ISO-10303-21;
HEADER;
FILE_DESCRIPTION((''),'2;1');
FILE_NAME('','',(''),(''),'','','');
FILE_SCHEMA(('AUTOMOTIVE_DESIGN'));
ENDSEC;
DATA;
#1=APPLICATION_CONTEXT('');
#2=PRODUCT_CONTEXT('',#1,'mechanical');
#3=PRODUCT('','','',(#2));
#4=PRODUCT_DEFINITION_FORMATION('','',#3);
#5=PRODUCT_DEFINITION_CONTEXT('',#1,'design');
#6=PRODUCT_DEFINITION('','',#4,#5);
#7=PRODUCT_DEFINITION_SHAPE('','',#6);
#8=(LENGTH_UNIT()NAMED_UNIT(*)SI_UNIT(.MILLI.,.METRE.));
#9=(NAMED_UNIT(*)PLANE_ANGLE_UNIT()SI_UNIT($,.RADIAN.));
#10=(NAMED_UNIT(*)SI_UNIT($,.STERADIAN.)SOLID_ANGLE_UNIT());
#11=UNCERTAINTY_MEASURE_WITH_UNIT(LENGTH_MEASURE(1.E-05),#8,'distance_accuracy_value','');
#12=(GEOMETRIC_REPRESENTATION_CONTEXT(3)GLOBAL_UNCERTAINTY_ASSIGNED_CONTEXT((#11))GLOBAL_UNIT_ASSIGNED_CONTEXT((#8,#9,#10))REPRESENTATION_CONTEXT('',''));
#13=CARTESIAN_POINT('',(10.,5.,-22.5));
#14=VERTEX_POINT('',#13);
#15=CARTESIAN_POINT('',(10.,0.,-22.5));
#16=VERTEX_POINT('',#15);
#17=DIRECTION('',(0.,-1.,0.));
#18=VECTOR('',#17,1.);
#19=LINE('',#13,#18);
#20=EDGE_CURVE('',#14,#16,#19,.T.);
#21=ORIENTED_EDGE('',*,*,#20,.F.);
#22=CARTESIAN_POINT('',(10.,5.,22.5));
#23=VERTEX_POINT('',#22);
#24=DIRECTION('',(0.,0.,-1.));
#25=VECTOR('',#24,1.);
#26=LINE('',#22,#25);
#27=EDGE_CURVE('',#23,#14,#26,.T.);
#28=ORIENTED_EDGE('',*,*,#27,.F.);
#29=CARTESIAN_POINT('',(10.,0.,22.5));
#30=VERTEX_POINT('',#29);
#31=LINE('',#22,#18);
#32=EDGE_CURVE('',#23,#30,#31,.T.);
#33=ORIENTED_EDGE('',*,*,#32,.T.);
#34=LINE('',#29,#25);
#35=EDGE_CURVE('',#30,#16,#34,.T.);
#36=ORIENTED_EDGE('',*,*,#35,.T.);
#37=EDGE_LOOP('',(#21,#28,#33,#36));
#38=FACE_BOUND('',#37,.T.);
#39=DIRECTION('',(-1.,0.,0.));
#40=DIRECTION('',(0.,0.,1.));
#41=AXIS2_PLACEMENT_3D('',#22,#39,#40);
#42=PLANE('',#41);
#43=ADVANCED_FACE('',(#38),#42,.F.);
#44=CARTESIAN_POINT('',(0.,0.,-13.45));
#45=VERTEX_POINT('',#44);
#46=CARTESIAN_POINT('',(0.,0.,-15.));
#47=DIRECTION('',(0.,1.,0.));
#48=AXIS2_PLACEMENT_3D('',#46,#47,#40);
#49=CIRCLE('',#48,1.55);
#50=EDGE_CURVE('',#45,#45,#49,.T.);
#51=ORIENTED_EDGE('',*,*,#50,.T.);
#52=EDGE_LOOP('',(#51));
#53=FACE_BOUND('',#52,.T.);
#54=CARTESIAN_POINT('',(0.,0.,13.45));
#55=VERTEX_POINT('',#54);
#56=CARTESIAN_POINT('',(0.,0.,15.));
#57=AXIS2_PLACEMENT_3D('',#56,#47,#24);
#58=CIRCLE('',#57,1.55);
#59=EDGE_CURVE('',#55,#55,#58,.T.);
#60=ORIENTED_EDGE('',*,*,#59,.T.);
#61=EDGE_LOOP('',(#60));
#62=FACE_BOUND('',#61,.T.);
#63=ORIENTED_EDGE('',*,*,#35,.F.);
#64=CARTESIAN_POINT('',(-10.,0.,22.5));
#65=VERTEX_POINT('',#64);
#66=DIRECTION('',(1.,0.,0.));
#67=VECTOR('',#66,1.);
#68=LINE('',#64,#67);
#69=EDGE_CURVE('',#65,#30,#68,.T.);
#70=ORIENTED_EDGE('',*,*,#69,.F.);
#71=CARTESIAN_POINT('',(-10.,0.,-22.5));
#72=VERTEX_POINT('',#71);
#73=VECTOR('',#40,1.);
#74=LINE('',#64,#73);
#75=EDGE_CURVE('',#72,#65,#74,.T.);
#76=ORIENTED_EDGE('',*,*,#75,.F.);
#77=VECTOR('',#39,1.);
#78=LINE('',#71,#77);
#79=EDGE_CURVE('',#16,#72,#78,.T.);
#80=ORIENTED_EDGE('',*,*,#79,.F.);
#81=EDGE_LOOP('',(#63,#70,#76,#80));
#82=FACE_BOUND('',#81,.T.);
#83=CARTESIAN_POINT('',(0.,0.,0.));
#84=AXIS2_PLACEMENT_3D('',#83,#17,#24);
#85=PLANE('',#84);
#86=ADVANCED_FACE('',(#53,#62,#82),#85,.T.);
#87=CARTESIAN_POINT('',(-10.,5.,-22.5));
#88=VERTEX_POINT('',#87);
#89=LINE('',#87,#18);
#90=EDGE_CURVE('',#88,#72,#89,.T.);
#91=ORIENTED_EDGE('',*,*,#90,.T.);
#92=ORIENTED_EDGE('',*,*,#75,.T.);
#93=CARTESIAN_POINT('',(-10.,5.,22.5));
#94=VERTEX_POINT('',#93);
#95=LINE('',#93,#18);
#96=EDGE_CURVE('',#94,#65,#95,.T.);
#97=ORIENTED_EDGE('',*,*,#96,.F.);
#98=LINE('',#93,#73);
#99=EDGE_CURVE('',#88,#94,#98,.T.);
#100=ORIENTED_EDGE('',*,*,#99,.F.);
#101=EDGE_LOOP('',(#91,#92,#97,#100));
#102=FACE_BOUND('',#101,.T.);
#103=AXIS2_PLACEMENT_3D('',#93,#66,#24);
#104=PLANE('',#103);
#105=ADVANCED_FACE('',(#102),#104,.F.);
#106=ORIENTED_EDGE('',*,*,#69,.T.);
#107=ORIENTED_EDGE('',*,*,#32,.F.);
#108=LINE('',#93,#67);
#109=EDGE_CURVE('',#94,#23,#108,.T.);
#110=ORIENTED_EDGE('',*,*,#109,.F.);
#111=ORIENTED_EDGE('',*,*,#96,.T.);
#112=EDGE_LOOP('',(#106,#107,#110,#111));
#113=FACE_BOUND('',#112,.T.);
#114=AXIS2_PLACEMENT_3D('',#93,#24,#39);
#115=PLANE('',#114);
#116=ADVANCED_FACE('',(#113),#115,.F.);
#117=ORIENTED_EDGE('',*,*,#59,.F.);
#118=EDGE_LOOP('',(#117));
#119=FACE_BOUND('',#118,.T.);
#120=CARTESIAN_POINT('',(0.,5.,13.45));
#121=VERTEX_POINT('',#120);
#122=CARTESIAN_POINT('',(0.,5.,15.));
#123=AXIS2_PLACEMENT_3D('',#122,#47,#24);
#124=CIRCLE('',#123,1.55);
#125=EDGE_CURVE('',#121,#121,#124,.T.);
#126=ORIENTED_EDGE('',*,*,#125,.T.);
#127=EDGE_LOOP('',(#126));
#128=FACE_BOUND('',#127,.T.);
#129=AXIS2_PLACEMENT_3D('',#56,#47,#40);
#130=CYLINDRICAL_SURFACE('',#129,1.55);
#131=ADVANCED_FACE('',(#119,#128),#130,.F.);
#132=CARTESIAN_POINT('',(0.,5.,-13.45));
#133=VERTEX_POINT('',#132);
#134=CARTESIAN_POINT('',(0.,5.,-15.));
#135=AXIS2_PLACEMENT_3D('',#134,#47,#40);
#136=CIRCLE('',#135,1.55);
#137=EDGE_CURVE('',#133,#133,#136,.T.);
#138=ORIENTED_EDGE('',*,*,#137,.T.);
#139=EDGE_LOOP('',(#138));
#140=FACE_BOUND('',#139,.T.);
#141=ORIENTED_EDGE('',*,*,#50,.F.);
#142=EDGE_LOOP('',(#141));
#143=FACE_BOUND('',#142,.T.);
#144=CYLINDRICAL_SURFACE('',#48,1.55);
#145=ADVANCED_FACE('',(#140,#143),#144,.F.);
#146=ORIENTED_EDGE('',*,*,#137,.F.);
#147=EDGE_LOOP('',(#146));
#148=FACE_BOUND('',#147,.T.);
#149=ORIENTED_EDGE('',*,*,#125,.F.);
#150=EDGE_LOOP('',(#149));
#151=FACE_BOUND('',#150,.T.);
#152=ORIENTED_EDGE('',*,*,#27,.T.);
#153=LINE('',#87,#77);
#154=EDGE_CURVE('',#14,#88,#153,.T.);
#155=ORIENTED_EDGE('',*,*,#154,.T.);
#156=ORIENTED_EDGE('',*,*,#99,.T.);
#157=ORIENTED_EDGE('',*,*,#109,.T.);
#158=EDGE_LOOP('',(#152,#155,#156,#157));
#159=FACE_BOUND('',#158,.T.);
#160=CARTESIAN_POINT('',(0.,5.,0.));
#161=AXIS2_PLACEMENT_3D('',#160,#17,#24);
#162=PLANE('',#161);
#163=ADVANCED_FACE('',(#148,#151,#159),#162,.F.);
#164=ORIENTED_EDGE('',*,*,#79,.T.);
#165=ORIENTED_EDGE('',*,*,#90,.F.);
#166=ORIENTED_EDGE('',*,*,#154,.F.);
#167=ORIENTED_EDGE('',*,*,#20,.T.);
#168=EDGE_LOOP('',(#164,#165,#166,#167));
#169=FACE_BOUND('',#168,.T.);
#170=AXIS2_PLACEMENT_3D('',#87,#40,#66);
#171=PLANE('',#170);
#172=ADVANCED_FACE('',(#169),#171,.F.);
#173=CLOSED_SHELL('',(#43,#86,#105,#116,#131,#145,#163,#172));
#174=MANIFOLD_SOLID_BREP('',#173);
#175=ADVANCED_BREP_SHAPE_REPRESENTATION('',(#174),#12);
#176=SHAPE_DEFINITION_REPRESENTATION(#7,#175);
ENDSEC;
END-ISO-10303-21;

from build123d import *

# Parameters (mm, degrees)
SKETCH_1_W          = 20
SKETCH_1_H          = 45
EXTRUDE_1_DEPTH     = 5
SKETCH_2_R          = 1.55
CUT_EXTRUDE_1_DEPTH = 5


with BuildPart() as part:
    # 草图1 → 凸台-拉伸1 (new body)
    with BuildSketch(Plane(origin=(0, 0, 0), x_dir=(1, 0, 0), z_dir=(0, 1, 0))):
        Rectangle(SKETCH_1_W, SKETCH_1_H)
    extrude(amount=EXTRUDE_1_DEPTH)

    # 草图2 → 切除-拉伸1 (cut)
    with BuildSketch(Plane(origin=(0, 5, 0), x_dir=(1, 0, 0), z_dir=(0, 1, 0))):
        with Locations(Location((0, 15, 0), (0, 0, 270))):
            Circle(SKETCH_2_R)
        with Locations(Location((0, -15, 0), (0, 0, 90))):
            Circle(SKETCH_2_R)
    extrude(amount=-CUT_EXTRUDE_1_DEPTH, mode=Mode.SUBTRACT)


solid = part.part
